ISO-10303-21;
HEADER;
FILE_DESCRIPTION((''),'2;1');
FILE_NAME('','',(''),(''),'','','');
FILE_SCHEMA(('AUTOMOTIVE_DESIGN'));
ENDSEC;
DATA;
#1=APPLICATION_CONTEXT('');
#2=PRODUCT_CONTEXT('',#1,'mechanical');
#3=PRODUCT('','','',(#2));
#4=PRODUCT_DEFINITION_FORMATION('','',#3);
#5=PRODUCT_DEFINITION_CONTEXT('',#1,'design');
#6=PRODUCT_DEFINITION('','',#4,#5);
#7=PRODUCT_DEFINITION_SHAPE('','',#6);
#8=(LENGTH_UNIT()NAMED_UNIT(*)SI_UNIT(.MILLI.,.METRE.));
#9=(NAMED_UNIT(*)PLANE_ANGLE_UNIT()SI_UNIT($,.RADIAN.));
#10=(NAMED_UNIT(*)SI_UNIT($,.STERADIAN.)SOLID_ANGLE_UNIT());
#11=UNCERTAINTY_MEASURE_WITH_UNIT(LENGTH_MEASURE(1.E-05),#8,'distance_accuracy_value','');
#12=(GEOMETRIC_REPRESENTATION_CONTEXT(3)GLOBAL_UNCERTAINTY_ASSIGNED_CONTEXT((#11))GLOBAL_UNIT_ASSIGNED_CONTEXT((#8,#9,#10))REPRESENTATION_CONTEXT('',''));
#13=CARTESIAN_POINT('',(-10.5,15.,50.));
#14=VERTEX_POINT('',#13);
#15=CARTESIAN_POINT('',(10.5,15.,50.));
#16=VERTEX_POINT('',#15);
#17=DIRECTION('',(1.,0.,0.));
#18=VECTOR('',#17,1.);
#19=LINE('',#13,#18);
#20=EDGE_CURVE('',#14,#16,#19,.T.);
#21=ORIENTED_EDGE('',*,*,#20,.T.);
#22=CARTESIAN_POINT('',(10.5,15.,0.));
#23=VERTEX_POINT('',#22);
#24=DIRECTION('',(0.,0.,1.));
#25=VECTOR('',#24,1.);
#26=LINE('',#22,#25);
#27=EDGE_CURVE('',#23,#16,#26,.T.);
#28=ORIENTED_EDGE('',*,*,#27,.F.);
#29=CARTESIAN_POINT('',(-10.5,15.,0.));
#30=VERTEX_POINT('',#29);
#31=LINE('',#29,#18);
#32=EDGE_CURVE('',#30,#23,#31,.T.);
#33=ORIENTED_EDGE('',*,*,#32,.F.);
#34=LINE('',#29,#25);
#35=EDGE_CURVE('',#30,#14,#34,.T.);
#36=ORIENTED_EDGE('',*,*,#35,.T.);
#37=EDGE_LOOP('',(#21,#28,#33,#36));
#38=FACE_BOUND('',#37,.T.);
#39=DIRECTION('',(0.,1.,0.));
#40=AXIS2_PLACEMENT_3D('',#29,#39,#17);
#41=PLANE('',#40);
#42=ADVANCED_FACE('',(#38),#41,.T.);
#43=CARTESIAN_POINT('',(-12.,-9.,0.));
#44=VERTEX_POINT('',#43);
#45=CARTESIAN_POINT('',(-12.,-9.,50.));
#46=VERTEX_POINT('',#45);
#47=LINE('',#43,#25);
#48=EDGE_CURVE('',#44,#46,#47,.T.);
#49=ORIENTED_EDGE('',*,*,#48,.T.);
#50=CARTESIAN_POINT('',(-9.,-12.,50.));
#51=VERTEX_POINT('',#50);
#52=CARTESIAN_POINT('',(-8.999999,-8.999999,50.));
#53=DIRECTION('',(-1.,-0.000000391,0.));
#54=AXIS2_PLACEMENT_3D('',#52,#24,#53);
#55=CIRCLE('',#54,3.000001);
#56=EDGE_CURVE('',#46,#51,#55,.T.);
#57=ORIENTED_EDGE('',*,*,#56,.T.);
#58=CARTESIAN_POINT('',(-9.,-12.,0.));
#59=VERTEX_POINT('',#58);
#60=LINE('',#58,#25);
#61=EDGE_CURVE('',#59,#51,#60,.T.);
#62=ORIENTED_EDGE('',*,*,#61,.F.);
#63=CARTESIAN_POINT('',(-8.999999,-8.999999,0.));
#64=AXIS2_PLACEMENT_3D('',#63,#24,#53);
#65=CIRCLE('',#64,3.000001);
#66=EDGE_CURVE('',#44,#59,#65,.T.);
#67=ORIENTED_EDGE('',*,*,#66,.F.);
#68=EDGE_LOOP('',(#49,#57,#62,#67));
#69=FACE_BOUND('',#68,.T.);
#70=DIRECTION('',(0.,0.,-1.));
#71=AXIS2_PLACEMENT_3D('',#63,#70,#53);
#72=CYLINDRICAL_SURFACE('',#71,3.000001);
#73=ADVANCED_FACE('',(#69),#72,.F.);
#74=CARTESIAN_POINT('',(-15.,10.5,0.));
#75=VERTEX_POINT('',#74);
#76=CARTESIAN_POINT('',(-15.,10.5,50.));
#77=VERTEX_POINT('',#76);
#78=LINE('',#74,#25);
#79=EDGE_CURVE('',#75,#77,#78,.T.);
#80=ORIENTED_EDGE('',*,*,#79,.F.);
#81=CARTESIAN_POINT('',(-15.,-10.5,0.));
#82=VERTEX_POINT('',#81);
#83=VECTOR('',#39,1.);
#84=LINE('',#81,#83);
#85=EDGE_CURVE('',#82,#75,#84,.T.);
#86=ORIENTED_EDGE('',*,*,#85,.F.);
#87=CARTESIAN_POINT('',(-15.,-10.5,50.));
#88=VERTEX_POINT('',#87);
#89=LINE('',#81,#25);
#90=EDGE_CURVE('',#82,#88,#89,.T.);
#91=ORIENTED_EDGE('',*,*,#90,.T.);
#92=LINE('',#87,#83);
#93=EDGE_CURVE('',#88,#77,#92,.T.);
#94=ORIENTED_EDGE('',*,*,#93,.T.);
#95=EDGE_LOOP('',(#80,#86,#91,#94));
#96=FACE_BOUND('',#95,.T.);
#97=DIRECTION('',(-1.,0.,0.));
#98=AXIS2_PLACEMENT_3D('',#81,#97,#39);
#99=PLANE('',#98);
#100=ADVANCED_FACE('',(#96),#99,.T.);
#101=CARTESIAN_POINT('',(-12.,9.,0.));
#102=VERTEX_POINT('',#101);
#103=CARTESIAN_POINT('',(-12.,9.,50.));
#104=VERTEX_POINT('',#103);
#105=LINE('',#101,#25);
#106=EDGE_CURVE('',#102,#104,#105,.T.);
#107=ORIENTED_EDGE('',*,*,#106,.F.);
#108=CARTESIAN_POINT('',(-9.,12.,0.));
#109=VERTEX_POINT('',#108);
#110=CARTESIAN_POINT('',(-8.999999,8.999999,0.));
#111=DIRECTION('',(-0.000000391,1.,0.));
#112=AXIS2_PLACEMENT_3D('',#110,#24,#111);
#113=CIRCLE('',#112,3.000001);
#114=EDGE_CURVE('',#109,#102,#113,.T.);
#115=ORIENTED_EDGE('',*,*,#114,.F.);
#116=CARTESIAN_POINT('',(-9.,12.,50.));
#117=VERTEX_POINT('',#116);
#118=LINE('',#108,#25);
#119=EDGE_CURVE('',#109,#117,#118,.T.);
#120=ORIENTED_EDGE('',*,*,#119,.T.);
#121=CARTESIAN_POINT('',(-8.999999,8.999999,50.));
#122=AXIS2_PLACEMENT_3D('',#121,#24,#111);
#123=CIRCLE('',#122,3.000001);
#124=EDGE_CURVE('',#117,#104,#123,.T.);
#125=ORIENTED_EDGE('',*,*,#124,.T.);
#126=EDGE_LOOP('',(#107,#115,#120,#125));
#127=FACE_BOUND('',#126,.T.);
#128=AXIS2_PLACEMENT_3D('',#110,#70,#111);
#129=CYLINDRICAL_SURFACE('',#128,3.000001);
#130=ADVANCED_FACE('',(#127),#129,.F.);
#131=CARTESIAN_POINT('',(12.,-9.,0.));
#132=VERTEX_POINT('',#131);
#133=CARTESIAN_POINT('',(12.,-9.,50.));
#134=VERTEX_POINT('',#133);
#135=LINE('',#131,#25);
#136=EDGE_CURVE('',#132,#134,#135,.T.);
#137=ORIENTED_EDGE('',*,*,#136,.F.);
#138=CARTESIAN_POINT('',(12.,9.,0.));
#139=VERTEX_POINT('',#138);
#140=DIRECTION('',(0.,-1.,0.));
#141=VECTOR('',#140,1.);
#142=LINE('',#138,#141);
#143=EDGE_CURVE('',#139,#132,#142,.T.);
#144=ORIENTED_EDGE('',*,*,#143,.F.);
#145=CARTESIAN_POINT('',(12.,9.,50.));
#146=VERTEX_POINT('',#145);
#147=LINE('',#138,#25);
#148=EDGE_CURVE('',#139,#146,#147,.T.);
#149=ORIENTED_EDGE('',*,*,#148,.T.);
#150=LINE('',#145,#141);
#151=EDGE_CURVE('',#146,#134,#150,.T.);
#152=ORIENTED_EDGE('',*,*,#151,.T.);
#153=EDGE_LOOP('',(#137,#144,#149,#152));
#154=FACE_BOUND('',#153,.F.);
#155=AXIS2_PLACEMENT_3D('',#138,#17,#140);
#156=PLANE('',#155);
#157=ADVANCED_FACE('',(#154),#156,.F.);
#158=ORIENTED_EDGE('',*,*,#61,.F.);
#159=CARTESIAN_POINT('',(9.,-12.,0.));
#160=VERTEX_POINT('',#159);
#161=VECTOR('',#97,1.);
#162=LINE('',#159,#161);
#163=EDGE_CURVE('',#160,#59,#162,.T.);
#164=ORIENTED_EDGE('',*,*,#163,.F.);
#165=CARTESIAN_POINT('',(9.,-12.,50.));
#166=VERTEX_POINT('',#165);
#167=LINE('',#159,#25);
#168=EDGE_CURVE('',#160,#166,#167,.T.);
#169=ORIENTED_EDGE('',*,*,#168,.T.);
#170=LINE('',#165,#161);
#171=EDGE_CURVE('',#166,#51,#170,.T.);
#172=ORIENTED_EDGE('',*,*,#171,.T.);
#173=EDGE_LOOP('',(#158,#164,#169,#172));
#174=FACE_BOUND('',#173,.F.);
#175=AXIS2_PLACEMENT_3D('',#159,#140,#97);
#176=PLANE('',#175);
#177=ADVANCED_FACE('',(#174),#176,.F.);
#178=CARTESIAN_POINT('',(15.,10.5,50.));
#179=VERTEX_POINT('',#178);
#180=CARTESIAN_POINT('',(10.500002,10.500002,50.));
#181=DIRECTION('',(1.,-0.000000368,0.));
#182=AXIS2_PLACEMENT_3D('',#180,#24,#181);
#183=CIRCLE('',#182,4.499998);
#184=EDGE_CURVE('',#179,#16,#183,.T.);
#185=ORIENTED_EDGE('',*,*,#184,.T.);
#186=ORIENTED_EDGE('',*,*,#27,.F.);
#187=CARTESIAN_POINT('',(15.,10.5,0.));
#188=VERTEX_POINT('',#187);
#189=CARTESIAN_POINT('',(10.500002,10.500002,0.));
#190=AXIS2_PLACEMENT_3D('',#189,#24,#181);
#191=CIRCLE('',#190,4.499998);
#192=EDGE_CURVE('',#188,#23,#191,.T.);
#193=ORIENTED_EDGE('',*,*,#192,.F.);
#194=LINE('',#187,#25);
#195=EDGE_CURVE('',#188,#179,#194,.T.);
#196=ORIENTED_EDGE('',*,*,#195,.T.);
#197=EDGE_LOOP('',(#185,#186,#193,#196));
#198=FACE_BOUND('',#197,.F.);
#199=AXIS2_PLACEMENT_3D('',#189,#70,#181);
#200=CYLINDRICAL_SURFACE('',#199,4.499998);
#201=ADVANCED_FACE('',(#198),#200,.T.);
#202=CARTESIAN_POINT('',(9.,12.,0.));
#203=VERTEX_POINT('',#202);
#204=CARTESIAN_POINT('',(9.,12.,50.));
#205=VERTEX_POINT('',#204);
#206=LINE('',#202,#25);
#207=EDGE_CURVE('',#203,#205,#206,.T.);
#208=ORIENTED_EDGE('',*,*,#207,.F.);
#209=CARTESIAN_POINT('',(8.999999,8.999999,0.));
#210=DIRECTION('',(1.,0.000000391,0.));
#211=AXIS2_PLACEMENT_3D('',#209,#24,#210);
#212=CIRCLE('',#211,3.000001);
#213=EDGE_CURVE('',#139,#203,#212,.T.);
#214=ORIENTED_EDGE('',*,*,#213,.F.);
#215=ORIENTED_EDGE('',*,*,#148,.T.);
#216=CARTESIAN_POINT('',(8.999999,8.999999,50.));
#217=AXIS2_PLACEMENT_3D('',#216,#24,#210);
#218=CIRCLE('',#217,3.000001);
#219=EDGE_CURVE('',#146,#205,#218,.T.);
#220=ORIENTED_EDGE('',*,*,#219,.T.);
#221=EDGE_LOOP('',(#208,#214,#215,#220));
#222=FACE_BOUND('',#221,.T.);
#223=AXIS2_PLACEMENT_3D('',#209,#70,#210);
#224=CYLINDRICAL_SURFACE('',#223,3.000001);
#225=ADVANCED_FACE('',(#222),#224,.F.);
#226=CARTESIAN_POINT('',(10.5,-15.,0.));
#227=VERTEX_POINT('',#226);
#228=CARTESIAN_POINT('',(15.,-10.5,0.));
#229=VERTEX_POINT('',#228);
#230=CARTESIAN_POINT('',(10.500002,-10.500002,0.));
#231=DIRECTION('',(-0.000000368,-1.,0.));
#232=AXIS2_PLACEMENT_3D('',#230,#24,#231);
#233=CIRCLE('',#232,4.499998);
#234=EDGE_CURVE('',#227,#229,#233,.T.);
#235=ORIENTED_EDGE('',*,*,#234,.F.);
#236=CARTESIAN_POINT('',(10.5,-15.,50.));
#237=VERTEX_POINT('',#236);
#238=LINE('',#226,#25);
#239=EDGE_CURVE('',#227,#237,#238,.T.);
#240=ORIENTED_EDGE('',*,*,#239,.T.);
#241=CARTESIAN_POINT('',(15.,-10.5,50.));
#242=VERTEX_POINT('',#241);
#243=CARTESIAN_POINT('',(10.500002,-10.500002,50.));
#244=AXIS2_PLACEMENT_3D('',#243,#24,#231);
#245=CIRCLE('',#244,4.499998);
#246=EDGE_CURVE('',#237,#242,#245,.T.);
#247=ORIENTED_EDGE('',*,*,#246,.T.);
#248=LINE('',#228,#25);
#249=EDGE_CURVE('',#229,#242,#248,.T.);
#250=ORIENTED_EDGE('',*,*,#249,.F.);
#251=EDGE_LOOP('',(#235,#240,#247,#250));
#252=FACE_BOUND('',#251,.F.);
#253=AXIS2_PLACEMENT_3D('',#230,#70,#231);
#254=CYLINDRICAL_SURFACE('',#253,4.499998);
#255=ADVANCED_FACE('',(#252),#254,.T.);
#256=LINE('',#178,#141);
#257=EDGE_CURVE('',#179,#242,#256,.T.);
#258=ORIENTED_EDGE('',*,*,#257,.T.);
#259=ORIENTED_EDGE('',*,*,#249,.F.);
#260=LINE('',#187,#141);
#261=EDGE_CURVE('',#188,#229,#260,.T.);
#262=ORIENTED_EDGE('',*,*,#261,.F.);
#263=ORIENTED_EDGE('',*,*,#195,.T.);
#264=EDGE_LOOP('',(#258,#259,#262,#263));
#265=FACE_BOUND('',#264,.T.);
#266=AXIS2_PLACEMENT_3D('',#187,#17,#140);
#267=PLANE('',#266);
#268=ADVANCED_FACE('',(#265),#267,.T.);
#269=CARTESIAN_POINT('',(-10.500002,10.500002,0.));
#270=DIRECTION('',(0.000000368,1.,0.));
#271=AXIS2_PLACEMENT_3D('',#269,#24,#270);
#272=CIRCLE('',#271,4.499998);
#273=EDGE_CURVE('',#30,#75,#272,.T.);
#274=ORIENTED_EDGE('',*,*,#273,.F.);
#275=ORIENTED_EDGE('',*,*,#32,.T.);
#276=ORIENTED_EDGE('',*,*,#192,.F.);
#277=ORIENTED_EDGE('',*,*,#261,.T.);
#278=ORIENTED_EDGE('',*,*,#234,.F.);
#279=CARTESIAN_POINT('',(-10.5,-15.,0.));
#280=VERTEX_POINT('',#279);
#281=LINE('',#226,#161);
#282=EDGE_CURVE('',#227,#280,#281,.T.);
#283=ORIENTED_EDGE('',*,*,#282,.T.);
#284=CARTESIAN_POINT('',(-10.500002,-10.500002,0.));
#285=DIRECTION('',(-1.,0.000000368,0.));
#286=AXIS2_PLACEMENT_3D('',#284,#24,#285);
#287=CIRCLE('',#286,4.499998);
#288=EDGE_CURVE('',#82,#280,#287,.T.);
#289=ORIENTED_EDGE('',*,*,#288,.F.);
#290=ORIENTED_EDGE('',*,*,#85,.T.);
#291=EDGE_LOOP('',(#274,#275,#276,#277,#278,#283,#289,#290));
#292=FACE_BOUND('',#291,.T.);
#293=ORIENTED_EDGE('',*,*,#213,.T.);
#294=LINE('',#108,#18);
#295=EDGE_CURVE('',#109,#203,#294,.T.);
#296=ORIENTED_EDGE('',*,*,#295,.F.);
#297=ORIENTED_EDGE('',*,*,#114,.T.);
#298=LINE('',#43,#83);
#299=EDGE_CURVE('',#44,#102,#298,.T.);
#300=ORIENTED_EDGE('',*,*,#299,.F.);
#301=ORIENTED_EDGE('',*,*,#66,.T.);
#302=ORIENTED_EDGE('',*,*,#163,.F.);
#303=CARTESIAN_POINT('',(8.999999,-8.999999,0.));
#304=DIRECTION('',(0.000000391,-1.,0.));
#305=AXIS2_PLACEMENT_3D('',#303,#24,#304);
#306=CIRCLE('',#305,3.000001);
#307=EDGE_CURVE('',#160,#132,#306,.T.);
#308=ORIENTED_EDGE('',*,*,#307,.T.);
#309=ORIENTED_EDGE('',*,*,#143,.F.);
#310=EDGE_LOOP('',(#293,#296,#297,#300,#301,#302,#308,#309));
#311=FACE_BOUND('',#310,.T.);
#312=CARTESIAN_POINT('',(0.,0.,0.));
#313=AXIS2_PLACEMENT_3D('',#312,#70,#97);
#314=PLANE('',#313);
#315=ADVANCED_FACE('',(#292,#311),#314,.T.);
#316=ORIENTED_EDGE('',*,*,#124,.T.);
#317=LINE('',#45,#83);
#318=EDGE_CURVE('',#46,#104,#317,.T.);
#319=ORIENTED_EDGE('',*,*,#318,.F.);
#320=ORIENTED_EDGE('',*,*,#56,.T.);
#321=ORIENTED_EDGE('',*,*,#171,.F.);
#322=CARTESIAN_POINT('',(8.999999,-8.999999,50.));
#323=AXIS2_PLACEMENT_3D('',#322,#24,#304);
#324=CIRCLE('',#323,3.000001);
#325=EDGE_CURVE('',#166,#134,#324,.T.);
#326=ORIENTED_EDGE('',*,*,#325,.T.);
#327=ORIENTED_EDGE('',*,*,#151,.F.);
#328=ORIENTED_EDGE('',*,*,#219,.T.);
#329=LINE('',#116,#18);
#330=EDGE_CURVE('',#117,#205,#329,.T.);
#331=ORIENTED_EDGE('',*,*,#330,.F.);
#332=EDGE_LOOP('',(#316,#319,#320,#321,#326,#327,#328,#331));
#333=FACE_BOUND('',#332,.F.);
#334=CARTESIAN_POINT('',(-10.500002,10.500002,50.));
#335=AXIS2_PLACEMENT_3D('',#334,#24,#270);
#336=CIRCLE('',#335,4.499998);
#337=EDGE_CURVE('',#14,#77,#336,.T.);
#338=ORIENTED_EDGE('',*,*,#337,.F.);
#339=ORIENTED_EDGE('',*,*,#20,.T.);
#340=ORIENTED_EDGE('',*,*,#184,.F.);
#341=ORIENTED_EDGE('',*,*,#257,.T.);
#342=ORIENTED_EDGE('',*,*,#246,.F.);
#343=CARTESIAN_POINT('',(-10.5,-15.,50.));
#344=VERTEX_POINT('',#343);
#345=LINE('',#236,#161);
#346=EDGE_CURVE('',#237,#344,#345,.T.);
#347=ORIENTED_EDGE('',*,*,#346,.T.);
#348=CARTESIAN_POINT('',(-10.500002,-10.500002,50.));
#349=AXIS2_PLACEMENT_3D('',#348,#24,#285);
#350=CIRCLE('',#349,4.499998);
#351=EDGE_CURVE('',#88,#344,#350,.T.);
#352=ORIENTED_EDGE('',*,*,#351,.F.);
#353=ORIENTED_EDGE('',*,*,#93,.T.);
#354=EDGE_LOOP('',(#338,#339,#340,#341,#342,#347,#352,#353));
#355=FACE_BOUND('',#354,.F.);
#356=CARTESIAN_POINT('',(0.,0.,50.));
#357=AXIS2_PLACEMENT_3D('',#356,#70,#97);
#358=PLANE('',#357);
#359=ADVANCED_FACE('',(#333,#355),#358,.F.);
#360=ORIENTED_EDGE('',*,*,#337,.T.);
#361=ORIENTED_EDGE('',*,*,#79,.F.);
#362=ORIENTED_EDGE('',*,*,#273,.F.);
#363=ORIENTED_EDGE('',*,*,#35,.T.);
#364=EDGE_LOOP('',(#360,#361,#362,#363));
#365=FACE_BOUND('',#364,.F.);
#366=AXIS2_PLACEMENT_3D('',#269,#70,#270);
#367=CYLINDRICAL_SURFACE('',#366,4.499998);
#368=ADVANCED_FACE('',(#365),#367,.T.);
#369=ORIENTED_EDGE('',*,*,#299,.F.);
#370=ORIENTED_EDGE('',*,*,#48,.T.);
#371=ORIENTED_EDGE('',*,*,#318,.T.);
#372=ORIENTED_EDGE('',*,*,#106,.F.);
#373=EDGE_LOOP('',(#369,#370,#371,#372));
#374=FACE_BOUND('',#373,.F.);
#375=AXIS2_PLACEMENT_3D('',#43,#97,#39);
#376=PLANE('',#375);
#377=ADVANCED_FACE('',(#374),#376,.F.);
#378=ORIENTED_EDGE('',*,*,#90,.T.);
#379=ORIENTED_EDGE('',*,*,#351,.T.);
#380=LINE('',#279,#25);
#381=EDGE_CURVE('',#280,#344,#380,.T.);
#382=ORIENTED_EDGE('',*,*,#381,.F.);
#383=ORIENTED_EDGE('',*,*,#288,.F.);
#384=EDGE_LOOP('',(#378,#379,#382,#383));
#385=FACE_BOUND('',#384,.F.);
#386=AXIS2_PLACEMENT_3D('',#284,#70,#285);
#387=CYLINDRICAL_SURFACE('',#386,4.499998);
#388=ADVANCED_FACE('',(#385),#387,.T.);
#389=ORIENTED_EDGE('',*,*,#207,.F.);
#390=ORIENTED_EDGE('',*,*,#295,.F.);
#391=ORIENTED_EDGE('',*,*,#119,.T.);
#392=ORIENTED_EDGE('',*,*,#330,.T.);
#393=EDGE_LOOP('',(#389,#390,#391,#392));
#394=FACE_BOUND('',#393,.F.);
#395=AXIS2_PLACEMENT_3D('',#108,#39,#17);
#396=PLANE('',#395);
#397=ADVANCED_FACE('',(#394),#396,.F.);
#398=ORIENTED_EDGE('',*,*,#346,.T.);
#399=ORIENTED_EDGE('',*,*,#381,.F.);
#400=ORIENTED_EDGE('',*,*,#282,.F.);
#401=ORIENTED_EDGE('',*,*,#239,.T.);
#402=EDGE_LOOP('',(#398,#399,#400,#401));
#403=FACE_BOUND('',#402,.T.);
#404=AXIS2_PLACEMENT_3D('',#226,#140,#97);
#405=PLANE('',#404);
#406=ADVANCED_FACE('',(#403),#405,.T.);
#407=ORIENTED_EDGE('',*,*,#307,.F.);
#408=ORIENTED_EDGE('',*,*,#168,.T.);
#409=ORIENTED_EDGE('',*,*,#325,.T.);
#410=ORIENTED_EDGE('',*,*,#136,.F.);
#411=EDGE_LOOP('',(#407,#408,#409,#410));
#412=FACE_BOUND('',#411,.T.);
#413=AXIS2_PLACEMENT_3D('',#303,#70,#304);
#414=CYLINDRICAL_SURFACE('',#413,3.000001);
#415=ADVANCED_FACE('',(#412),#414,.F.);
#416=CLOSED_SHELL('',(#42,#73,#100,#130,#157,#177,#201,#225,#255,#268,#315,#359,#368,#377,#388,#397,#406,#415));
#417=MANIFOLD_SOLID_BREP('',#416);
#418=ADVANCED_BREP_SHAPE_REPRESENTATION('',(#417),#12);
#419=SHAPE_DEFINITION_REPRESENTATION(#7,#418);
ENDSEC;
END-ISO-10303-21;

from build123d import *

# Parameters (mm, degrees)
EXTRUDE_DEPTH = 50


with BuildPart() as part:
    # Sketch → Extrude (new body)
    with BuildSketch(Plane.XY):
        with BuildLine():
            Line((-10.5, 15), (10.5, 15))
            ThreePointArc((15, 10.5), (13.681981, 13.681981), (10.5, 15))
            Line((15, 10.5), (15, -10.5))
            ThreePointArc((10.5, -15), (13.681981, -13.681981), (15, -10.5))
            Line((10.5, -15), (-10.5, -15))
            ThreePointArc((-15, -10.5), (-13.681981, -13.681981), (-10.5, -15))
            Line((-15, -10.5), (-15, 10.5))
            ThreePointArc((-10.5, 15), (-13.681981, 13.681981), (-15, 10.5))
        make_face()
        with BuildLine():
            Line((-9, 12), (9, 12))
            ThreePointArc((12, 9), (11.12132, 11.12132), (9, 12))
            Line((12, 9), (12, -9))
            ThreePointArc((9, -12), (11.12132, -11.12132), (12, -9))
            Line((9, -12), (-9, -12))
            ThreePointArc((-12, -9), (-11.12132, -11.12132), (-9, -12))
            Line((-12, -9), (-12, 9))
            ThreePointArc((-9, 12), (-11.12132, 11.12132), (-12, 9))
        make_face(mode=Mode.SUBTRACT)
    extrude(amount=EXTRUDE_DEPTH)


solid = part.part
